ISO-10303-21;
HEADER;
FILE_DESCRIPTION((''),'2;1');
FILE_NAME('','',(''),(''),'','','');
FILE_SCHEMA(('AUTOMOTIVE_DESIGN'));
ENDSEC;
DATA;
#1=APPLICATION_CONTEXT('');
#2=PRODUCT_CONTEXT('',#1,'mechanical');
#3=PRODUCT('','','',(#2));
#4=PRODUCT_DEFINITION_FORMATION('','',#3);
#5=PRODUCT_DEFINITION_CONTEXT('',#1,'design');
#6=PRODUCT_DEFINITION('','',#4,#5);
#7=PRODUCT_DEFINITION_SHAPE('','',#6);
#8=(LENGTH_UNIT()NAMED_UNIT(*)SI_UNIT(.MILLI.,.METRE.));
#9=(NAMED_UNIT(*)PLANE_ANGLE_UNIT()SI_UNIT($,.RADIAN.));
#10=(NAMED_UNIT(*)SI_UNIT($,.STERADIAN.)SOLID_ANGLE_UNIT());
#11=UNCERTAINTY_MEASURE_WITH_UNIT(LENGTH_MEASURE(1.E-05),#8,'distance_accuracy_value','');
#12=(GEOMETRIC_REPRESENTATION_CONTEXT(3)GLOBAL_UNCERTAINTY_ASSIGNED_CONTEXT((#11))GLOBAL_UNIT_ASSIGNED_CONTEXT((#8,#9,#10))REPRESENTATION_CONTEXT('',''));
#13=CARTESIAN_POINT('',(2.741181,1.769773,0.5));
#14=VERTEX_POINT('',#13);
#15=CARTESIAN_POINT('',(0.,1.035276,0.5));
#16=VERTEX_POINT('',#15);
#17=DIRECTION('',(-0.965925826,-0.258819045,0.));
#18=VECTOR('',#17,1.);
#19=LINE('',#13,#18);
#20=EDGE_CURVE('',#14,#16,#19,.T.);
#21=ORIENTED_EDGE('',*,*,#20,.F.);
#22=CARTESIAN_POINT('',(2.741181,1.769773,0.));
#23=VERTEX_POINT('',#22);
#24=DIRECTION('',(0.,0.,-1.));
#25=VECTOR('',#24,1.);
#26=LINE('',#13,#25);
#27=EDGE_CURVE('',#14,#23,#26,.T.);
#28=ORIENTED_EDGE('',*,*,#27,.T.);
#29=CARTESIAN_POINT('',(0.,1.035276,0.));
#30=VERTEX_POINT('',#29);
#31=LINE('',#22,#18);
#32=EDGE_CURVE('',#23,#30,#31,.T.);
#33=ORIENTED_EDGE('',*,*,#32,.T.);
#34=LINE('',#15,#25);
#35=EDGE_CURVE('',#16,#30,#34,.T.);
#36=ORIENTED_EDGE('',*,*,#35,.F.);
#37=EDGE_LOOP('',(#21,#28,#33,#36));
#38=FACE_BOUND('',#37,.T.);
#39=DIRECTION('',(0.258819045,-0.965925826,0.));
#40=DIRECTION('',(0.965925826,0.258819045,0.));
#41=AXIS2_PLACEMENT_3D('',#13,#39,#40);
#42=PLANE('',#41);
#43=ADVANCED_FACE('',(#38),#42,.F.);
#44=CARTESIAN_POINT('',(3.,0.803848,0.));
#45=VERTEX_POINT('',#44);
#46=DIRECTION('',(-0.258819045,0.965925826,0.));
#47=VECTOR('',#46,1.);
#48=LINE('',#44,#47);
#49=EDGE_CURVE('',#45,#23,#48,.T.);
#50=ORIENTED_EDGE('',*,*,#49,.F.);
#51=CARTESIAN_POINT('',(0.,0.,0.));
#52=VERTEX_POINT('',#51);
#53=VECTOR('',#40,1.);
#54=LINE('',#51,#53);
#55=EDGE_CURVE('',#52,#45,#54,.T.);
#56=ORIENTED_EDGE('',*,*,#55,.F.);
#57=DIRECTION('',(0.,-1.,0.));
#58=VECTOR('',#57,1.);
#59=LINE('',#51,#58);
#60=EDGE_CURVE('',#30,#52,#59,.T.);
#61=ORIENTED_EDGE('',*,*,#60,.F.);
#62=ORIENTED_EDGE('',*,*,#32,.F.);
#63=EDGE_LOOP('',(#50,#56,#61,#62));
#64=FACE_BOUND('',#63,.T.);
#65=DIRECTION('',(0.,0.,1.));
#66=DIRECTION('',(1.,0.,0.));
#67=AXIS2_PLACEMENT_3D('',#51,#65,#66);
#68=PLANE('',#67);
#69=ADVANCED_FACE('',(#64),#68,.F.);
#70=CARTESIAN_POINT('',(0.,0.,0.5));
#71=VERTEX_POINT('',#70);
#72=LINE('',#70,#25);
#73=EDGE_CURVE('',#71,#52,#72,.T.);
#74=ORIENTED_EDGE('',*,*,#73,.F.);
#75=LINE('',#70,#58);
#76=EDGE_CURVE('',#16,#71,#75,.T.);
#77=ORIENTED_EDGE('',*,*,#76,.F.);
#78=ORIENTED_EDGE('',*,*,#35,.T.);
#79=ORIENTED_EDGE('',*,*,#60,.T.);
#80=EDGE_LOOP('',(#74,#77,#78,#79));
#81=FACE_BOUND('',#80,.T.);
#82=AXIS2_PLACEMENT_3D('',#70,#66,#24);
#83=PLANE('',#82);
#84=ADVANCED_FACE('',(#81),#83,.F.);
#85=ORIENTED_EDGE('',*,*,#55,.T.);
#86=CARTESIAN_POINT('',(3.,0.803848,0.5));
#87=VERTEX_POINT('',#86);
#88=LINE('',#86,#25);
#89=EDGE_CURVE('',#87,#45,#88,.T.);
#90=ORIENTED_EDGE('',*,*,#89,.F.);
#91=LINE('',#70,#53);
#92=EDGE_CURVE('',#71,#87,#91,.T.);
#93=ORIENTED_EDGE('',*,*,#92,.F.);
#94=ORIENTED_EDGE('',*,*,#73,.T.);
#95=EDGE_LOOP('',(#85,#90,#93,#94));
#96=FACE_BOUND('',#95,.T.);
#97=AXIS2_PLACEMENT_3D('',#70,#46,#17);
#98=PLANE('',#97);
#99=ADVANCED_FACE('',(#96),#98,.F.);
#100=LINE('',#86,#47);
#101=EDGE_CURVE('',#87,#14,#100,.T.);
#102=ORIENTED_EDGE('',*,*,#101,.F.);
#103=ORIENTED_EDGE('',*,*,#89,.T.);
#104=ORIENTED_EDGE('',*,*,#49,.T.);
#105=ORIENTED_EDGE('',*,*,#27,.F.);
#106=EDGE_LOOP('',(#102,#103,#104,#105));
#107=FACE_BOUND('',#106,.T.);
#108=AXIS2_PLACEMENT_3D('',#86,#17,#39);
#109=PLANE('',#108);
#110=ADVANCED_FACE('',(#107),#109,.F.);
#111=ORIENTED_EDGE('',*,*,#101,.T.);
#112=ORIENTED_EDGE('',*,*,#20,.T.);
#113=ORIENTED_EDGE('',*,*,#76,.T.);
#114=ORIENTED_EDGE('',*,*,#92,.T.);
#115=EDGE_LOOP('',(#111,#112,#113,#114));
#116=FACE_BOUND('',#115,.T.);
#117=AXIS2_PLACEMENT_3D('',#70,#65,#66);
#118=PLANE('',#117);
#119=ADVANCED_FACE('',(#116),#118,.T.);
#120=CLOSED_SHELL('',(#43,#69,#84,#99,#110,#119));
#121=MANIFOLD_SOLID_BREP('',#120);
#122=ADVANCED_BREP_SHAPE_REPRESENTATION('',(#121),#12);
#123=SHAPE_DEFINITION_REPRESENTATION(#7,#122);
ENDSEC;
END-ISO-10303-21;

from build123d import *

# Parameters (mm, degrees)
BOSS_EXTRUDE1_DEPTH = 0.5


with BuildPart() as part:
    # Sketch2 → Boss-Extrude1 (new body)
    with BuildSketch(Plane.XY):
        Polygon((0, 0), (0, 1.03527618), (2.741180955, 1.769773404), (3, 0.803847577), align=None)
    extrude(amount=BOSS_EXTRUDE1_DEPTH)


solid = part.part
